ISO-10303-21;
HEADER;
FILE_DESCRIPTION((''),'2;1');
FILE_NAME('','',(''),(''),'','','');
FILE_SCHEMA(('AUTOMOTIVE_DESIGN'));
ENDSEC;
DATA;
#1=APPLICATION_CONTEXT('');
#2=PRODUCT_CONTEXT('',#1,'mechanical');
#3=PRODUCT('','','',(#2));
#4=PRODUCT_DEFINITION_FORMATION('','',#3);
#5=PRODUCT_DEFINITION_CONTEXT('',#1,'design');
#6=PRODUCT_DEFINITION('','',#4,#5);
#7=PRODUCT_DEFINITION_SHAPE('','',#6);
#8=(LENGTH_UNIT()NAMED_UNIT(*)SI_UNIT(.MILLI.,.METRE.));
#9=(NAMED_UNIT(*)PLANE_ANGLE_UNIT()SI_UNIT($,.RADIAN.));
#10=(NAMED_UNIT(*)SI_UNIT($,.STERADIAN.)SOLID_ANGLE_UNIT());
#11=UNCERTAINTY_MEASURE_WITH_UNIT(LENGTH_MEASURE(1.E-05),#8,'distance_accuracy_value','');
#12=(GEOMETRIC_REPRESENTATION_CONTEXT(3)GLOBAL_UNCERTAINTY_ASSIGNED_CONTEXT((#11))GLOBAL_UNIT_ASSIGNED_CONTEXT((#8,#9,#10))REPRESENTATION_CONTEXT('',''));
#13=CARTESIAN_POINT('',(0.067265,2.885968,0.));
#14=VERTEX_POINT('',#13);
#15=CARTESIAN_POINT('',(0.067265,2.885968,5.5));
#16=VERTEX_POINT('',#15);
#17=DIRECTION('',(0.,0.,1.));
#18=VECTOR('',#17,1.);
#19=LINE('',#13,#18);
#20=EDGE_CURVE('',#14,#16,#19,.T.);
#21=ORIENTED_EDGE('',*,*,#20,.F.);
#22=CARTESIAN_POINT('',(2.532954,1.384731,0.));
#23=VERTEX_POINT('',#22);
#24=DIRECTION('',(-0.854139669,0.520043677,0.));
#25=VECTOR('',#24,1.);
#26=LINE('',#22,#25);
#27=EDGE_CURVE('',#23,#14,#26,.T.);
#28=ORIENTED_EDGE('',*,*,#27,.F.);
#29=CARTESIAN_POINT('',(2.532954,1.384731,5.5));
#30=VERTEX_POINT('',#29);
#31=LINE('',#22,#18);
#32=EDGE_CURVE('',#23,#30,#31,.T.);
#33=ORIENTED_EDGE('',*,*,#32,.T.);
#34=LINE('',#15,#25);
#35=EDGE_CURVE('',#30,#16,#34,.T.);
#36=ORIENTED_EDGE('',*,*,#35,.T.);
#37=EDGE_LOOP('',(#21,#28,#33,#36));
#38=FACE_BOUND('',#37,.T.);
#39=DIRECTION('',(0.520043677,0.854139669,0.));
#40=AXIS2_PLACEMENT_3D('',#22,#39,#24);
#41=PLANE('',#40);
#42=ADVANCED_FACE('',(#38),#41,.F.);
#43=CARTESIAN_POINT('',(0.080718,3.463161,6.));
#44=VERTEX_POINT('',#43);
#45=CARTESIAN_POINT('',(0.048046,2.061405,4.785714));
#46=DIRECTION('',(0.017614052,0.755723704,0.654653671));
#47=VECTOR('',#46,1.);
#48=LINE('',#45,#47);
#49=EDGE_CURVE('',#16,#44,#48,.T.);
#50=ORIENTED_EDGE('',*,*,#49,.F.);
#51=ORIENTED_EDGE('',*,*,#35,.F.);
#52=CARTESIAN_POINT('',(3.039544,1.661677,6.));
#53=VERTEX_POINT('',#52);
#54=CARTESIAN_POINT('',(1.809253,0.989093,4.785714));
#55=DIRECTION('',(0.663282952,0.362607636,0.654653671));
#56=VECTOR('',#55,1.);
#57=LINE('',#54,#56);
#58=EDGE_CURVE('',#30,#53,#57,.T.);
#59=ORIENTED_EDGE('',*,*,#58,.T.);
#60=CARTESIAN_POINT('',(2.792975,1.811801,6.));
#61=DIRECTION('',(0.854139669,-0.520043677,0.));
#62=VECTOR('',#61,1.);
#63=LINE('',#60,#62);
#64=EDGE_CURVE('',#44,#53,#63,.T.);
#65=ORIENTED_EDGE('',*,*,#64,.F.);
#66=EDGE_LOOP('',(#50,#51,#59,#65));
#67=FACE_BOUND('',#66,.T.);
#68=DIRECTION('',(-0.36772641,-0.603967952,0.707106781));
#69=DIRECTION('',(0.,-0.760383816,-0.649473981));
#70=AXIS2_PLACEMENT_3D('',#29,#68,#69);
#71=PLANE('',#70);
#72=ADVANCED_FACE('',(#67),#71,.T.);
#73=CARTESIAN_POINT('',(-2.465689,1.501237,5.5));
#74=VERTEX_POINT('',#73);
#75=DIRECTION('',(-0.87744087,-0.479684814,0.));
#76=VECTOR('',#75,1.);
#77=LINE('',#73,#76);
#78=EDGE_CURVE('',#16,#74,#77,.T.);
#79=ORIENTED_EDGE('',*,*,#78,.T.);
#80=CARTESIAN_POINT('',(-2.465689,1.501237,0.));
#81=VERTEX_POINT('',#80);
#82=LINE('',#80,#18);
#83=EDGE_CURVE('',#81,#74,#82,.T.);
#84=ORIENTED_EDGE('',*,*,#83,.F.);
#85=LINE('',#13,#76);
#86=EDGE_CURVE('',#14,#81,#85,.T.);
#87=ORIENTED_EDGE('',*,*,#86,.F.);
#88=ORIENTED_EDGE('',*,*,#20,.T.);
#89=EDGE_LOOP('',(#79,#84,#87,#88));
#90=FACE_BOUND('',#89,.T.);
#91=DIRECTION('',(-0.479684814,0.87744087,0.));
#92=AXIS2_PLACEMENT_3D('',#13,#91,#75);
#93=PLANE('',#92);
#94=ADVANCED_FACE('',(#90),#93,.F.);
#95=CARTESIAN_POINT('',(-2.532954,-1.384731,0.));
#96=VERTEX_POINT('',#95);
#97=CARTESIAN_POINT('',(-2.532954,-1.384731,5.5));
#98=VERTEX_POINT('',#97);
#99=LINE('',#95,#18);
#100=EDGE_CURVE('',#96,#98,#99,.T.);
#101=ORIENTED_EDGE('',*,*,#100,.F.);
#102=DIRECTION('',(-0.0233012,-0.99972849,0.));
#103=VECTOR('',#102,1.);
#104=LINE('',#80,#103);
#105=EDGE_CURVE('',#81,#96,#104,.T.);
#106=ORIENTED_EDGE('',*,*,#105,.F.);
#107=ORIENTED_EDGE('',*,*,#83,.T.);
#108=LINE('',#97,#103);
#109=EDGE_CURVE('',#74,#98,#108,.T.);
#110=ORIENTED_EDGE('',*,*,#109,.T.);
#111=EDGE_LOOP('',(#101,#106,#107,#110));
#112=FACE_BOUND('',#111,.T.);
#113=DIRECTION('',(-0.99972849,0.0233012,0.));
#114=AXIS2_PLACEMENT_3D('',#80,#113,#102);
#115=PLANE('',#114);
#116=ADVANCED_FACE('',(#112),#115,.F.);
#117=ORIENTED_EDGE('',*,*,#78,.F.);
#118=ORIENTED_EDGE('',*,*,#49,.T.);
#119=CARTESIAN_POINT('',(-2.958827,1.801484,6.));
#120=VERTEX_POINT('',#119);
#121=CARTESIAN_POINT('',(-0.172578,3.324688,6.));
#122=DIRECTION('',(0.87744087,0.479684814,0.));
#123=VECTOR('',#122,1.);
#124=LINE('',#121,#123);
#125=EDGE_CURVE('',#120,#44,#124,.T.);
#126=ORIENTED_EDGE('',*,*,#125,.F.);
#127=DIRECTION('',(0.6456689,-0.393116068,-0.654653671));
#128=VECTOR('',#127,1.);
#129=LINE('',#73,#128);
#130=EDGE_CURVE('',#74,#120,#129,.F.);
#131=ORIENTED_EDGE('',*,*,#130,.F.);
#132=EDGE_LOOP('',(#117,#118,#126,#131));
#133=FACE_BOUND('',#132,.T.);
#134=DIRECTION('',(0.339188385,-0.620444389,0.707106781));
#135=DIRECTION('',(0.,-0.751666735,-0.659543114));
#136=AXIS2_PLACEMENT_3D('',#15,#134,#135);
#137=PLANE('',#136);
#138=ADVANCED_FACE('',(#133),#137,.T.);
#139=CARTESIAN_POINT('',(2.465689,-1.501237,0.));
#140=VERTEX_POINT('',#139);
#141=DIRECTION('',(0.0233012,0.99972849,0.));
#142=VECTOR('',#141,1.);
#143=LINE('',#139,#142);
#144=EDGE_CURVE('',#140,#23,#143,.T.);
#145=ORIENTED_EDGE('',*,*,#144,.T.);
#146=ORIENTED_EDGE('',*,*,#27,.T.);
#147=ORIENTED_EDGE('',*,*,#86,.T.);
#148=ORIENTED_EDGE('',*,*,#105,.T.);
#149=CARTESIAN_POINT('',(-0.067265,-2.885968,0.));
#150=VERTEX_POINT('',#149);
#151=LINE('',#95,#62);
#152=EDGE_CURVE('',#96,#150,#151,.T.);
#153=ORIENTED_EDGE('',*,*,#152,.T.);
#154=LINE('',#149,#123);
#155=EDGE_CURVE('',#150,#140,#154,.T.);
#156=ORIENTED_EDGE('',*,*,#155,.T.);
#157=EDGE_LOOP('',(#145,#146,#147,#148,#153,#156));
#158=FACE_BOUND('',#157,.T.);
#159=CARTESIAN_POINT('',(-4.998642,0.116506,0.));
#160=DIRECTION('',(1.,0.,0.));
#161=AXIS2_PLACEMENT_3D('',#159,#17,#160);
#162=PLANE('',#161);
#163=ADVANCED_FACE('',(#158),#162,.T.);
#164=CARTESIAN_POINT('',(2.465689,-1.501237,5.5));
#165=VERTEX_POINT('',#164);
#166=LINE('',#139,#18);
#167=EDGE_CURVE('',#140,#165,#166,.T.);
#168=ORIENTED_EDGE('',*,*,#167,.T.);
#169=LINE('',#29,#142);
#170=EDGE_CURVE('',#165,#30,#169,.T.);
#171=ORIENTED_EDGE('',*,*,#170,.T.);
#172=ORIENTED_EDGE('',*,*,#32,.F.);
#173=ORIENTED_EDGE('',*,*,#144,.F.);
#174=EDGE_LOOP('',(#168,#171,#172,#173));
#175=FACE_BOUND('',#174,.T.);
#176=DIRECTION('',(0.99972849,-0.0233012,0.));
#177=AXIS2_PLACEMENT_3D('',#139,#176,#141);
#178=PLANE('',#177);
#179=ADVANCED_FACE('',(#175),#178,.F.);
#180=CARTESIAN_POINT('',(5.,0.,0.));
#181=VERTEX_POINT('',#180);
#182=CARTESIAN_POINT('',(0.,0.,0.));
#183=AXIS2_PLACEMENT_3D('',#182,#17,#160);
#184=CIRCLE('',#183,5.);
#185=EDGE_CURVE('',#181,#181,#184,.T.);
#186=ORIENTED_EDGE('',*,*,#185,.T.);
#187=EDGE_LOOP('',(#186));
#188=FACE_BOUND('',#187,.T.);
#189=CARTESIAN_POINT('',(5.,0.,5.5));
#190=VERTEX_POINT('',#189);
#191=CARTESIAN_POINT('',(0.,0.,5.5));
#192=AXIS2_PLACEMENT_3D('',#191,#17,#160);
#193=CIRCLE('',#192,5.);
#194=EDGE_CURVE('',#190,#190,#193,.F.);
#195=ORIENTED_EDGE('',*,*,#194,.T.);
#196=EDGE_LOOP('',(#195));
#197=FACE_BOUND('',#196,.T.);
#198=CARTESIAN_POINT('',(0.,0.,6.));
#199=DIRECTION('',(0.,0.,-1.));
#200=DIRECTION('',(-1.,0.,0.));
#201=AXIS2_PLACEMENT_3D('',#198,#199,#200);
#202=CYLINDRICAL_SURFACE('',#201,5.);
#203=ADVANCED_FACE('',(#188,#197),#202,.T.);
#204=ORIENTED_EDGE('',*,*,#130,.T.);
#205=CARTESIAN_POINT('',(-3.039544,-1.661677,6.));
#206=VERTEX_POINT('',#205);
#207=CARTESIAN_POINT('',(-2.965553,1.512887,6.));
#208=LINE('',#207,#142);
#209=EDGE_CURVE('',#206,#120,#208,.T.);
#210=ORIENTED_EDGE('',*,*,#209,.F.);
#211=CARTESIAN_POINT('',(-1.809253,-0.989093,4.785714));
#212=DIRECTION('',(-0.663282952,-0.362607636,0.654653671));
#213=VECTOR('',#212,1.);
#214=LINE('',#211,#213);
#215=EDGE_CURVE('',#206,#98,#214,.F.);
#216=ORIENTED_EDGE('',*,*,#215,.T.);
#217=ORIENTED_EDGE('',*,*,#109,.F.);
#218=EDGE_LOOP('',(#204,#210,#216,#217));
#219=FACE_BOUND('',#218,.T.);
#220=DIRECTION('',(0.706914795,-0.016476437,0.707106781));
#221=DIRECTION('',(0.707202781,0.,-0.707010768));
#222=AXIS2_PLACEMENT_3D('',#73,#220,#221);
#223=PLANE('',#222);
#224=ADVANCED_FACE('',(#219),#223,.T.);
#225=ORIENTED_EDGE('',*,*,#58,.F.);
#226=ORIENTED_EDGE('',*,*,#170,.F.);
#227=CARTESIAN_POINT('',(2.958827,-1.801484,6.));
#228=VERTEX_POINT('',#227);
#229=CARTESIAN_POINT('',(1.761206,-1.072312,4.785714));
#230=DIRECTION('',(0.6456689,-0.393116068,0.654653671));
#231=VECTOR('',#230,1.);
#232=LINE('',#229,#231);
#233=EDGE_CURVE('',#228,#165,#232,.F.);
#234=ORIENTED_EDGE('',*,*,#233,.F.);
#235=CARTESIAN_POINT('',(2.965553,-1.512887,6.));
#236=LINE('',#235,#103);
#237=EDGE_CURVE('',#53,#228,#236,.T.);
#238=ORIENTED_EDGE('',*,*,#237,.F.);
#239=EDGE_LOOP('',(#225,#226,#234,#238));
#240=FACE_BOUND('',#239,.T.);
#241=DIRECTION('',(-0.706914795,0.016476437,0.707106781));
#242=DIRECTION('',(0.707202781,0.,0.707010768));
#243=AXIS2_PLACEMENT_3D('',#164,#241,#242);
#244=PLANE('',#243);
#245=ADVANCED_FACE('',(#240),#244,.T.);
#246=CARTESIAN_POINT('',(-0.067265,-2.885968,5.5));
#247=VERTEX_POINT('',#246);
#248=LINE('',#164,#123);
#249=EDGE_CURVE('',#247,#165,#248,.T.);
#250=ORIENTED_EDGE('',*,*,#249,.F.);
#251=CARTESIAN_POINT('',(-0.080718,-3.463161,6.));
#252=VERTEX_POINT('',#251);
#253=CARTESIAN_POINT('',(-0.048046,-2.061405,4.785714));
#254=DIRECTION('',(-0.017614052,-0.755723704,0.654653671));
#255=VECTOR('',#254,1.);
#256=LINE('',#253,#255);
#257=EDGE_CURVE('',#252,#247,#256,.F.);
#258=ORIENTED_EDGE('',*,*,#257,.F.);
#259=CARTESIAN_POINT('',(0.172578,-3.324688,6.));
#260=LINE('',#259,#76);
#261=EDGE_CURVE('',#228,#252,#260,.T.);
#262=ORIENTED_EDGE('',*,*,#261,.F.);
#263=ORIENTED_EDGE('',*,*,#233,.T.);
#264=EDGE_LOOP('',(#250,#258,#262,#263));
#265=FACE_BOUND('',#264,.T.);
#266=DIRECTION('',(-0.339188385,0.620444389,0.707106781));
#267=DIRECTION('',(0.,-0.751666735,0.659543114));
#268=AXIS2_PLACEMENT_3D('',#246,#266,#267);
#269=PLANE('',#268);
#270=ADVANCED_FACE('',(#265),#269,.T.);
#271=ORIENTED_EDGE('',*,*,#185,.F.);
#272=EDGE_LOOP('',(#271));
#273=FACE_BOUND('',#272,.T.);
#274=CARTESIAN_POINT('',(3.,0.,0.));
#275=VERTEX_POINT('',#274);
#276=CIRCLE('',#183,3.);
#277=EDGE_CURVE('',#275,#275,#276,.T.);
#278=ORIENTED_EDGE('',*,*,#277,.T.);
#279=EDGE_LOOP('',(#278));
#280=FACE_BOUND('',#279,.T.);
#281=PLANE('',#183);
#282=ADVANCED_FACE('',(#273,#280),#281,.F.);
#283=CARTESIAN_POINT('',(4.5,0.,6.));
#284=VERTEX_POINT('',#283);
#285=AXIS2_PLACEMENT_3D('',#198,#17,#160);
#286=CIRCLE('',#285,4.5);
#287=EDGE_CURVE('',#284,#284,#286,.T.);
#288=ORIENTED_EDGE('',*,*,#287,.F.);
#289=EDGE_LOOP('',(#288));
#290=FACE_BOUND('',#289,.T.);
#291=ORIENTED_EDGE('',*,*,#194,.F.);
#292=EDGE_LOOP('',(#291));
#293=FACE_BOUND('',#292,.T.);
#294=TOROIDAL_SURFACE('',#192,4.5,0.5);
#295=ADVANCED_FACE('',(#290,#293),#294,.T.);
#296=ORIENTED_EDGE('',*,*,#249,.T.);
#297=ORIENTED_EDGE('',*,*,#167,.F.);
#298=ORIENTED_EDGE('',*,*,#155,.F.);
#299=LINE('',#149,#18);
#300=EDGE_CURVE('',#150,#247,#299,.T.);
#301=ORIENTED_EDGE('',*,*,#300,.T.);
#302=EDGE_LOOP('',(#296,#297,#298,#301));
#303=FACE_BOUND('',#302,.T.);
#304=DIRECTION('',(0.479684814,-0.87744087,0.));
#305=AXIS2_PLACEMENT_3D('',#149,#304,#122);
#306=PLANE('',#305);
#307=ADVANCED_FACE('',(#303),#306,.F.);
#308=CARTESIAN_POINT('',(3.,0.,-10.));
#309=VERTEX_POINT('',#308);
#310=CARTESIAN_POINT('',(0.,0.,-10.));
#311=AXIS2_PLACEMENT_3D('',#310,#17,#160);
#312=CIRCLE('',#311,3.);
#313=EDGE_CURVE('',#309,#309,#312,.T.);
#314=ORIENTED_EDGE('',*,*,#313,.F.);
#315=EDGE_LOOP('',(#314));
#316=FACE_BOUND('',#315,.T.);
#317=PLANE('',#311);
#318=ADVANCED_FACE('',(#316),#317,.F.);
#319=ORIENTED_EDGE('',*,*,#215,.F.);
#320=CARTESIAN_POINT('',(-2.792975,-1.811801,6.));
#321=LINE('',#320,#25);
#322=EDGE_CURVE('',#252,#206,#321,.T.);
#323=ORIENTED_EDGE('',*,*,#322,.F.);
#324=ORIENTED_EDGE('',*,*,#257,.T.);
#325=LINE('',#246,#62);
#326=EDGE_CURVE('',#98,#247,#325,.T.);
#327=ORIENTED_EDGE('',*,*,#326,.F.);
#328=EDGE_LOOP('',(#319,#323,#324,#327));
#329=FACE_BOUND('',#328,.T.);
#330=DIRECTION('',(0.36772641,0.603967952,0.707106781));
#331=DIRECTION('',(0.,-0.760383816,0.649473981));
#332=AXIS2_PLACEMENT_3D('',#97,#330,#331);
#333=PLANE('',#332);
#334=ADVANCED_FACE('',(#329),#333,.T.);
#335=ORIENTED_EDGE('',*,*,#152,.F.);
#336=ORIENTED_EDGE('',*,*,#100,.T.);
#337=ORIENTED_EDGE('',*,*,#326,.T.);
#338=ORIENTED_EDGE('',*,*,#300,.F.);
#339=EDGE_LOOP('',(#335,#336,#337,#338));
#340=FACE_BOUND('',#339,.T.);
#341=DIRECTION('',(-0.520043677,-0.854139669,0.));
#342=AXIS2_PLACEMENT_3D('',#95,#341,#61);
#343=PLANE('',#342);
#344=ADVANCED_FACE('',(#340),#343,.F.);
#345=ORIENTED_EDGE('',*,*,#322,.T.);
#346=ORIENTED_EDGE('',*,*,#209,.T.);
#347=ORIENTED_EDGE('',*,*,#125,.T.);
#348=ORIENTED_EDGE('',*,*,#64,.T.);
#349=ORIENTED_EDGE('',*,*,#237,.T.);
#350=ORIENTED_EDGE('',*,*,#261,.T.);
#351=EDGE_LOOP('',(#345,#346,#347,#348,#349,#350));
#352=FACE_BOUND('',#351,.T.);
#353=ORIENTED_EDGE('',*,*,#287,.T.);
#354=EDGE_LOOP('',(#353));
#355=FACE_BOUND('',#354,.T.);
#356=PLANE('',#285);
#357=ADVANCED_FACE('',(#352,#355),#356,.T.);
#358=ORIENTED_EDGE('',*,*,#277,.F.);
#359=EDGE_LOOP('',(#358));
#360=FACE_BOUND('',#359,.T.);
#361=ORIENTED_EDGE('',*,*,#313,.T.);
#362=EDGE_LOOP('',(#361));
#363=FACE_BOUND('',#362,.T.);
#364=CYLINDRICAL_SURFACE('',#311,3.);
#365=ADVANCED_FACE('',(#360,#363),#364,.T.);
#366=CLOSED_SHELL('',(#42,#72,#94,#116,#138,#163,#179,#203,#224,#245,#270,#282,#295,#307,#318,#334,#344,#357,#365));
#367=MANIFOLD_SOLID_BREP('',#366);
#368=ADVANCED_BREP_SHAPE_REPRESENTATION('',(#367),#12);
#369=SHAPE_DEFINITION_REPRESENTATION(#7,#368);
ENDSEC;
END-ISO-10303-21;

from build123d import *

# Parameters (mm, degrees)
SKETCH2_R          = 3
EXTRUDE1_DEPTH     = 10
SKETCH3_R          = 5
EXTRUDE2_DEPTH     = 6
CUT_EXTRUDE1_DEPTH = 6
FILLET1_R          = 0.5
CHAMFER1_SIZE      = 0.5


with BuildPart() as part:
    # Sketch2 → Extrude1 (new body)
    with BuildSketch(Plane.XY):
        Circle(SKETCH2_R)
    extrude(amount=-EXTRUDE1_DEPTH)

    # Sketch3 → Extrude2 (add)
    with BuildSketch(Plane.XY):
        Circle(SKETCH3_R)
    extrude(amount=EXTRUDE2_DEPTH)

    # Sketch4 → Cut-Extrude1 (cut)
    with BuildSketch(Plane.XY.offset(6)):
        Polygon((-2.46568884, 1.501236783), (-2.532953611, -1.384730781), (-0.067264771, -2.885967565), (2.46568884, -1.501236783), (2.532953611, 1.384730781), (0.067264771, 2.885967565), align=None)
    extrude(amount=-CUT_EXTRUDE1_DEPTH, mode=Mode.SUBTRACT)

    # Fillet1
    fillet1_edges = [part.edges().sort_by_distance(p)[0] for p in [
        (-5, 0, 6),
    ]]
    fillet(fillet1_edges, radius=FILLET1_R)

    # Chamfer1
    chamfer1_edges = [part.edges().sort_by_distance(p)[0] for p in [
        (-1.199212034, 2.193602174, 6),
        (-2.499321225, 0.058253001, 6),
        (-1.300109191, -2.135349173, 6),
        (1.199212034, -2.193602174, 6),
        (2.499321225, -0.058253001, 6),
        (1.300109191, 2.135349173, 6),
    ]]
    chamfer(chamfer1_edges, length=CHAMFER1_SIZE)


solid = part.part
